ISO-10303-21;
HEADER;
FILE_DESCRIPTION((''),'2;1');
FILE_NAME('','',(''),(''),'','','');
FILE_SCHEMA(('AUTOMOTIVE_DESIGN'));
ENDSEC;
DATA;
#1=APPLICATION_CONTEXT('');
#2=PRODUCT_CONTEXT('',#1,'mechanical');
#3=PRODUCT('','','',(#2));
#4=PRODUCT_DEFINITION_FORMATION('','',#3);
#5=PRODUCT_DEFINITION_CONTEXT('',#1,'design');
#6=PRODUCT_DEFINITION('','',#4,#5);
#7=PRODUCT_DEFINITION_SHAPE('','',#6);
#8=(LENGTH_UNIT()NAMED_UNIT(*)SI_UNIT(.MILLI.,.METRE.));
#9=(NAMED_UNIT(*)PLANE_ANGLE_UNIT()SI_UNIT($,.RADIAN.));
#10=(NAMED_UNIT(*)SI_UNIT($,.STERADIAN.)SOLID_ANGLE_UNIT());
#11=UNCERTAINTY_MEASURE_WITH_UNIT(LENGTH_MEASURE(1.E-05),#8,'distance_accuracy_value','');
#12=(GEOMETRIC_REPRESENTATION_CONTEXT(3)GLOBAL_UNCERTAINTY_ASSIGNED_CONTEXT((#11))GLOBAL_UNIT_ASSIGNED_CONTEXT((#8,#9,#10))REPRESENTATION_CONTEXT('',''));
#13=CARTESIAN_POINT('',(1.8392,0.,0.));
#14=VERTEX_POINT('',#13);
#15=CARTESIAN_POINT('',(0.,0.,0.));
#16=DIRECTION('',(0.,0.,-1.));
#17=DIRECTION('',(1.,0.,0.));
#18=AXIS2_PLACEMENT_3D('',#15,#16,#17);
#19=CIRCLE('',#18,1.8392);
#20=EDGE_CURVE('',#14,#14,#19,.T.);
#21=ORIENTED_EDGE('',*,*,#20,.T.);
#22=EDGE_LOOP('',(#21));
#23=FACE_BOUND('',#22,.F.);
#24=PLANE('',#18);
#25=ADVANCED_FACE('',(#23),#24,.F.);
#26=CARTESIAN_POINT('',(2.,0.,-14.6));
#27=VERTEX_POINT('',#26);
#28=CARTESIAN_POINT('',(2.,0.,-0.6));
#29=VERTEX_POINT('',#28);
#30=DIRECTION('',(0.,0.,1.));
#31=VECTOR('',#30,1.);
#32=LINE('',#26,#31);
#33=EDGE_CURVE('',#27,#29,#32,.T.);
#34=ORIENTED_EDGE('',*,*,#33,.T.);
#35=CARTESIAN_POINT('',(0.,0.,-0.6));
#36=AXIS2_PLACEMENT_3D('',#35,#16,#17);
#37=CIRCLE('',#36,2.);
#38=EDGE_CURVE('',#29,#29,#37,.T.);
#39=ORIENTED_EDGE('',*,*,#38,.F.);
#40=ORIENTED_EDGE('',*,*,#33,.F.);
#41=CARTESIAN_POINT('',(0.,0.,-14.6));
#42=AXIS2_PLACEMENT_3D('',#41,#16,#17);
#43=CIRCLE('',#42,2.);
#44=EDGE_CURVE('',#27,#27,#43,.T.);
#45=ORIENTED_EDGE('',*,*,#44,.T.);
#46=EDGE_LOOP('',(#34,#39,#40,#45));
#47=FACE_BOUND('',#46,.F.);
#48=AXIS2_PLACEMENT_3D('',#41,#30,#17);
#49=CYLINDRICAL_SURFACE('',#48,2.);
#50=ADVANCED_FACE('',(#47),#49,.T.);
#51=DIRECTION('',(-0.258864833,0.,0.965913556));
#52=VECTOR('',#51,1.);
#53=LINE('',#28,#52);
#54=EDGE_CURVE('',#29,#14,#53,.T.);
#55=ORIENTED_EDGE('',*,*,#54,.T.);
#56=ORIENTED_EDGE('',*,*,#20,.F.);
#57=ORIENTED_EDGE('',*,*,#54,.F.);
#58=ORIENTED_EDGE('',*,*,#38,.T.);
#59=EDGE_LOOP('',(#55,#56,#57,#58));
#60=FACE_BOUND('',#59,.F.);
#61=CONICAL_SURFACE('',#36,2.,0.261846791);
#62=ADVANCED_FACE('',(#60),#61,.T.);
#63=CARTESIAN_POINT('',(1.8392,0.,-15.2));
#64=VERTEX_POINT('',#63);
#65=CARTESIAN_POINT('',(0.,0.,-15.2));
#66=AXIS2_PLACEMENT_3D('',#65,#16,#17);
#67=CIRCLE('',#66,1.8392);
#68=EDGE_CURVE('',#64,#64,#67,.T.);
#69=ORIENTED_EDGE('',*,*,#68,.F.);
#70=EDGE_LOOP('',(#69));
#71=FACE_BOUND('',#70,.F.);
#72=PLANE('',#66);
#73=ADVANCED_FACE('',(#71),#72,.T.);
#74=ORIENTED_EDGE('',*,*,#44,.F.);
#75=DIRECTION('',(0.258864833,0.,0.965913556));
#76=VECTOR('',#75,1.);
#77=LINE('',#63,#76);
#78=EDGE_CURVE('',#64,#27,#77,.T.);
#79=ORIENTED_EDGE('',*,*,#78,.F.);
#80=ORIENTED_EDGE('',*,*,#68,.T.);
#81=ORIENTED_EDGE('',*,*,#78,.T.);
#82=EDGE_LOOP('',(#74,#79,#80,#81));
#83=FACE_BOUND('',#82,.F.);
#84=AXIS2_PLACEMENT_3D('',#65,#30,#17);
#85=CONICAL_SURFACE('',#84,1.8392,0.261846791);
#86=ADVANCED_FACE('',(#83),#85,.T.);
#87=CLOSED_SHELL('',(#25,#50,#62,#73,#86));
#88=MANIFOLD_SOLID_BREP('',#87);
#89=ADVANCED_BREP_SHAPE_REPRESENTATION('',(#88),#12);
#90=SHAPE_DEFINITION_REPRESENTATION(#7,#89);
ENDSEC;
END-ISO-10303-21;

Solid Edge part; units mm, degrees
sketch "Sketch1" plane through (0, 0, 0) normal (0, -1, 0) x (1, 0, 0)
  line L0 (0, -15.2) -> (1.8392, -15.2)
  line L1 (1.8392, -15.2) -> (2, -14.6)
  line L2 (2, -14.6) -> (2, -0.6)
  line L3 (2, -0.6) -> (1.8392, 0)
  line L4 (1.8392, 0) -> (0, 0)
  dimension "D1" = 2
  dimension "D2" = 14
  dimension "D3" = 0.6
revolve "RevolvedProtrusion_1" add sketch "Sketch1" angle 360 about axis through (0, 0, 0) along (0, 0, -1)
properties material "Stahl"
